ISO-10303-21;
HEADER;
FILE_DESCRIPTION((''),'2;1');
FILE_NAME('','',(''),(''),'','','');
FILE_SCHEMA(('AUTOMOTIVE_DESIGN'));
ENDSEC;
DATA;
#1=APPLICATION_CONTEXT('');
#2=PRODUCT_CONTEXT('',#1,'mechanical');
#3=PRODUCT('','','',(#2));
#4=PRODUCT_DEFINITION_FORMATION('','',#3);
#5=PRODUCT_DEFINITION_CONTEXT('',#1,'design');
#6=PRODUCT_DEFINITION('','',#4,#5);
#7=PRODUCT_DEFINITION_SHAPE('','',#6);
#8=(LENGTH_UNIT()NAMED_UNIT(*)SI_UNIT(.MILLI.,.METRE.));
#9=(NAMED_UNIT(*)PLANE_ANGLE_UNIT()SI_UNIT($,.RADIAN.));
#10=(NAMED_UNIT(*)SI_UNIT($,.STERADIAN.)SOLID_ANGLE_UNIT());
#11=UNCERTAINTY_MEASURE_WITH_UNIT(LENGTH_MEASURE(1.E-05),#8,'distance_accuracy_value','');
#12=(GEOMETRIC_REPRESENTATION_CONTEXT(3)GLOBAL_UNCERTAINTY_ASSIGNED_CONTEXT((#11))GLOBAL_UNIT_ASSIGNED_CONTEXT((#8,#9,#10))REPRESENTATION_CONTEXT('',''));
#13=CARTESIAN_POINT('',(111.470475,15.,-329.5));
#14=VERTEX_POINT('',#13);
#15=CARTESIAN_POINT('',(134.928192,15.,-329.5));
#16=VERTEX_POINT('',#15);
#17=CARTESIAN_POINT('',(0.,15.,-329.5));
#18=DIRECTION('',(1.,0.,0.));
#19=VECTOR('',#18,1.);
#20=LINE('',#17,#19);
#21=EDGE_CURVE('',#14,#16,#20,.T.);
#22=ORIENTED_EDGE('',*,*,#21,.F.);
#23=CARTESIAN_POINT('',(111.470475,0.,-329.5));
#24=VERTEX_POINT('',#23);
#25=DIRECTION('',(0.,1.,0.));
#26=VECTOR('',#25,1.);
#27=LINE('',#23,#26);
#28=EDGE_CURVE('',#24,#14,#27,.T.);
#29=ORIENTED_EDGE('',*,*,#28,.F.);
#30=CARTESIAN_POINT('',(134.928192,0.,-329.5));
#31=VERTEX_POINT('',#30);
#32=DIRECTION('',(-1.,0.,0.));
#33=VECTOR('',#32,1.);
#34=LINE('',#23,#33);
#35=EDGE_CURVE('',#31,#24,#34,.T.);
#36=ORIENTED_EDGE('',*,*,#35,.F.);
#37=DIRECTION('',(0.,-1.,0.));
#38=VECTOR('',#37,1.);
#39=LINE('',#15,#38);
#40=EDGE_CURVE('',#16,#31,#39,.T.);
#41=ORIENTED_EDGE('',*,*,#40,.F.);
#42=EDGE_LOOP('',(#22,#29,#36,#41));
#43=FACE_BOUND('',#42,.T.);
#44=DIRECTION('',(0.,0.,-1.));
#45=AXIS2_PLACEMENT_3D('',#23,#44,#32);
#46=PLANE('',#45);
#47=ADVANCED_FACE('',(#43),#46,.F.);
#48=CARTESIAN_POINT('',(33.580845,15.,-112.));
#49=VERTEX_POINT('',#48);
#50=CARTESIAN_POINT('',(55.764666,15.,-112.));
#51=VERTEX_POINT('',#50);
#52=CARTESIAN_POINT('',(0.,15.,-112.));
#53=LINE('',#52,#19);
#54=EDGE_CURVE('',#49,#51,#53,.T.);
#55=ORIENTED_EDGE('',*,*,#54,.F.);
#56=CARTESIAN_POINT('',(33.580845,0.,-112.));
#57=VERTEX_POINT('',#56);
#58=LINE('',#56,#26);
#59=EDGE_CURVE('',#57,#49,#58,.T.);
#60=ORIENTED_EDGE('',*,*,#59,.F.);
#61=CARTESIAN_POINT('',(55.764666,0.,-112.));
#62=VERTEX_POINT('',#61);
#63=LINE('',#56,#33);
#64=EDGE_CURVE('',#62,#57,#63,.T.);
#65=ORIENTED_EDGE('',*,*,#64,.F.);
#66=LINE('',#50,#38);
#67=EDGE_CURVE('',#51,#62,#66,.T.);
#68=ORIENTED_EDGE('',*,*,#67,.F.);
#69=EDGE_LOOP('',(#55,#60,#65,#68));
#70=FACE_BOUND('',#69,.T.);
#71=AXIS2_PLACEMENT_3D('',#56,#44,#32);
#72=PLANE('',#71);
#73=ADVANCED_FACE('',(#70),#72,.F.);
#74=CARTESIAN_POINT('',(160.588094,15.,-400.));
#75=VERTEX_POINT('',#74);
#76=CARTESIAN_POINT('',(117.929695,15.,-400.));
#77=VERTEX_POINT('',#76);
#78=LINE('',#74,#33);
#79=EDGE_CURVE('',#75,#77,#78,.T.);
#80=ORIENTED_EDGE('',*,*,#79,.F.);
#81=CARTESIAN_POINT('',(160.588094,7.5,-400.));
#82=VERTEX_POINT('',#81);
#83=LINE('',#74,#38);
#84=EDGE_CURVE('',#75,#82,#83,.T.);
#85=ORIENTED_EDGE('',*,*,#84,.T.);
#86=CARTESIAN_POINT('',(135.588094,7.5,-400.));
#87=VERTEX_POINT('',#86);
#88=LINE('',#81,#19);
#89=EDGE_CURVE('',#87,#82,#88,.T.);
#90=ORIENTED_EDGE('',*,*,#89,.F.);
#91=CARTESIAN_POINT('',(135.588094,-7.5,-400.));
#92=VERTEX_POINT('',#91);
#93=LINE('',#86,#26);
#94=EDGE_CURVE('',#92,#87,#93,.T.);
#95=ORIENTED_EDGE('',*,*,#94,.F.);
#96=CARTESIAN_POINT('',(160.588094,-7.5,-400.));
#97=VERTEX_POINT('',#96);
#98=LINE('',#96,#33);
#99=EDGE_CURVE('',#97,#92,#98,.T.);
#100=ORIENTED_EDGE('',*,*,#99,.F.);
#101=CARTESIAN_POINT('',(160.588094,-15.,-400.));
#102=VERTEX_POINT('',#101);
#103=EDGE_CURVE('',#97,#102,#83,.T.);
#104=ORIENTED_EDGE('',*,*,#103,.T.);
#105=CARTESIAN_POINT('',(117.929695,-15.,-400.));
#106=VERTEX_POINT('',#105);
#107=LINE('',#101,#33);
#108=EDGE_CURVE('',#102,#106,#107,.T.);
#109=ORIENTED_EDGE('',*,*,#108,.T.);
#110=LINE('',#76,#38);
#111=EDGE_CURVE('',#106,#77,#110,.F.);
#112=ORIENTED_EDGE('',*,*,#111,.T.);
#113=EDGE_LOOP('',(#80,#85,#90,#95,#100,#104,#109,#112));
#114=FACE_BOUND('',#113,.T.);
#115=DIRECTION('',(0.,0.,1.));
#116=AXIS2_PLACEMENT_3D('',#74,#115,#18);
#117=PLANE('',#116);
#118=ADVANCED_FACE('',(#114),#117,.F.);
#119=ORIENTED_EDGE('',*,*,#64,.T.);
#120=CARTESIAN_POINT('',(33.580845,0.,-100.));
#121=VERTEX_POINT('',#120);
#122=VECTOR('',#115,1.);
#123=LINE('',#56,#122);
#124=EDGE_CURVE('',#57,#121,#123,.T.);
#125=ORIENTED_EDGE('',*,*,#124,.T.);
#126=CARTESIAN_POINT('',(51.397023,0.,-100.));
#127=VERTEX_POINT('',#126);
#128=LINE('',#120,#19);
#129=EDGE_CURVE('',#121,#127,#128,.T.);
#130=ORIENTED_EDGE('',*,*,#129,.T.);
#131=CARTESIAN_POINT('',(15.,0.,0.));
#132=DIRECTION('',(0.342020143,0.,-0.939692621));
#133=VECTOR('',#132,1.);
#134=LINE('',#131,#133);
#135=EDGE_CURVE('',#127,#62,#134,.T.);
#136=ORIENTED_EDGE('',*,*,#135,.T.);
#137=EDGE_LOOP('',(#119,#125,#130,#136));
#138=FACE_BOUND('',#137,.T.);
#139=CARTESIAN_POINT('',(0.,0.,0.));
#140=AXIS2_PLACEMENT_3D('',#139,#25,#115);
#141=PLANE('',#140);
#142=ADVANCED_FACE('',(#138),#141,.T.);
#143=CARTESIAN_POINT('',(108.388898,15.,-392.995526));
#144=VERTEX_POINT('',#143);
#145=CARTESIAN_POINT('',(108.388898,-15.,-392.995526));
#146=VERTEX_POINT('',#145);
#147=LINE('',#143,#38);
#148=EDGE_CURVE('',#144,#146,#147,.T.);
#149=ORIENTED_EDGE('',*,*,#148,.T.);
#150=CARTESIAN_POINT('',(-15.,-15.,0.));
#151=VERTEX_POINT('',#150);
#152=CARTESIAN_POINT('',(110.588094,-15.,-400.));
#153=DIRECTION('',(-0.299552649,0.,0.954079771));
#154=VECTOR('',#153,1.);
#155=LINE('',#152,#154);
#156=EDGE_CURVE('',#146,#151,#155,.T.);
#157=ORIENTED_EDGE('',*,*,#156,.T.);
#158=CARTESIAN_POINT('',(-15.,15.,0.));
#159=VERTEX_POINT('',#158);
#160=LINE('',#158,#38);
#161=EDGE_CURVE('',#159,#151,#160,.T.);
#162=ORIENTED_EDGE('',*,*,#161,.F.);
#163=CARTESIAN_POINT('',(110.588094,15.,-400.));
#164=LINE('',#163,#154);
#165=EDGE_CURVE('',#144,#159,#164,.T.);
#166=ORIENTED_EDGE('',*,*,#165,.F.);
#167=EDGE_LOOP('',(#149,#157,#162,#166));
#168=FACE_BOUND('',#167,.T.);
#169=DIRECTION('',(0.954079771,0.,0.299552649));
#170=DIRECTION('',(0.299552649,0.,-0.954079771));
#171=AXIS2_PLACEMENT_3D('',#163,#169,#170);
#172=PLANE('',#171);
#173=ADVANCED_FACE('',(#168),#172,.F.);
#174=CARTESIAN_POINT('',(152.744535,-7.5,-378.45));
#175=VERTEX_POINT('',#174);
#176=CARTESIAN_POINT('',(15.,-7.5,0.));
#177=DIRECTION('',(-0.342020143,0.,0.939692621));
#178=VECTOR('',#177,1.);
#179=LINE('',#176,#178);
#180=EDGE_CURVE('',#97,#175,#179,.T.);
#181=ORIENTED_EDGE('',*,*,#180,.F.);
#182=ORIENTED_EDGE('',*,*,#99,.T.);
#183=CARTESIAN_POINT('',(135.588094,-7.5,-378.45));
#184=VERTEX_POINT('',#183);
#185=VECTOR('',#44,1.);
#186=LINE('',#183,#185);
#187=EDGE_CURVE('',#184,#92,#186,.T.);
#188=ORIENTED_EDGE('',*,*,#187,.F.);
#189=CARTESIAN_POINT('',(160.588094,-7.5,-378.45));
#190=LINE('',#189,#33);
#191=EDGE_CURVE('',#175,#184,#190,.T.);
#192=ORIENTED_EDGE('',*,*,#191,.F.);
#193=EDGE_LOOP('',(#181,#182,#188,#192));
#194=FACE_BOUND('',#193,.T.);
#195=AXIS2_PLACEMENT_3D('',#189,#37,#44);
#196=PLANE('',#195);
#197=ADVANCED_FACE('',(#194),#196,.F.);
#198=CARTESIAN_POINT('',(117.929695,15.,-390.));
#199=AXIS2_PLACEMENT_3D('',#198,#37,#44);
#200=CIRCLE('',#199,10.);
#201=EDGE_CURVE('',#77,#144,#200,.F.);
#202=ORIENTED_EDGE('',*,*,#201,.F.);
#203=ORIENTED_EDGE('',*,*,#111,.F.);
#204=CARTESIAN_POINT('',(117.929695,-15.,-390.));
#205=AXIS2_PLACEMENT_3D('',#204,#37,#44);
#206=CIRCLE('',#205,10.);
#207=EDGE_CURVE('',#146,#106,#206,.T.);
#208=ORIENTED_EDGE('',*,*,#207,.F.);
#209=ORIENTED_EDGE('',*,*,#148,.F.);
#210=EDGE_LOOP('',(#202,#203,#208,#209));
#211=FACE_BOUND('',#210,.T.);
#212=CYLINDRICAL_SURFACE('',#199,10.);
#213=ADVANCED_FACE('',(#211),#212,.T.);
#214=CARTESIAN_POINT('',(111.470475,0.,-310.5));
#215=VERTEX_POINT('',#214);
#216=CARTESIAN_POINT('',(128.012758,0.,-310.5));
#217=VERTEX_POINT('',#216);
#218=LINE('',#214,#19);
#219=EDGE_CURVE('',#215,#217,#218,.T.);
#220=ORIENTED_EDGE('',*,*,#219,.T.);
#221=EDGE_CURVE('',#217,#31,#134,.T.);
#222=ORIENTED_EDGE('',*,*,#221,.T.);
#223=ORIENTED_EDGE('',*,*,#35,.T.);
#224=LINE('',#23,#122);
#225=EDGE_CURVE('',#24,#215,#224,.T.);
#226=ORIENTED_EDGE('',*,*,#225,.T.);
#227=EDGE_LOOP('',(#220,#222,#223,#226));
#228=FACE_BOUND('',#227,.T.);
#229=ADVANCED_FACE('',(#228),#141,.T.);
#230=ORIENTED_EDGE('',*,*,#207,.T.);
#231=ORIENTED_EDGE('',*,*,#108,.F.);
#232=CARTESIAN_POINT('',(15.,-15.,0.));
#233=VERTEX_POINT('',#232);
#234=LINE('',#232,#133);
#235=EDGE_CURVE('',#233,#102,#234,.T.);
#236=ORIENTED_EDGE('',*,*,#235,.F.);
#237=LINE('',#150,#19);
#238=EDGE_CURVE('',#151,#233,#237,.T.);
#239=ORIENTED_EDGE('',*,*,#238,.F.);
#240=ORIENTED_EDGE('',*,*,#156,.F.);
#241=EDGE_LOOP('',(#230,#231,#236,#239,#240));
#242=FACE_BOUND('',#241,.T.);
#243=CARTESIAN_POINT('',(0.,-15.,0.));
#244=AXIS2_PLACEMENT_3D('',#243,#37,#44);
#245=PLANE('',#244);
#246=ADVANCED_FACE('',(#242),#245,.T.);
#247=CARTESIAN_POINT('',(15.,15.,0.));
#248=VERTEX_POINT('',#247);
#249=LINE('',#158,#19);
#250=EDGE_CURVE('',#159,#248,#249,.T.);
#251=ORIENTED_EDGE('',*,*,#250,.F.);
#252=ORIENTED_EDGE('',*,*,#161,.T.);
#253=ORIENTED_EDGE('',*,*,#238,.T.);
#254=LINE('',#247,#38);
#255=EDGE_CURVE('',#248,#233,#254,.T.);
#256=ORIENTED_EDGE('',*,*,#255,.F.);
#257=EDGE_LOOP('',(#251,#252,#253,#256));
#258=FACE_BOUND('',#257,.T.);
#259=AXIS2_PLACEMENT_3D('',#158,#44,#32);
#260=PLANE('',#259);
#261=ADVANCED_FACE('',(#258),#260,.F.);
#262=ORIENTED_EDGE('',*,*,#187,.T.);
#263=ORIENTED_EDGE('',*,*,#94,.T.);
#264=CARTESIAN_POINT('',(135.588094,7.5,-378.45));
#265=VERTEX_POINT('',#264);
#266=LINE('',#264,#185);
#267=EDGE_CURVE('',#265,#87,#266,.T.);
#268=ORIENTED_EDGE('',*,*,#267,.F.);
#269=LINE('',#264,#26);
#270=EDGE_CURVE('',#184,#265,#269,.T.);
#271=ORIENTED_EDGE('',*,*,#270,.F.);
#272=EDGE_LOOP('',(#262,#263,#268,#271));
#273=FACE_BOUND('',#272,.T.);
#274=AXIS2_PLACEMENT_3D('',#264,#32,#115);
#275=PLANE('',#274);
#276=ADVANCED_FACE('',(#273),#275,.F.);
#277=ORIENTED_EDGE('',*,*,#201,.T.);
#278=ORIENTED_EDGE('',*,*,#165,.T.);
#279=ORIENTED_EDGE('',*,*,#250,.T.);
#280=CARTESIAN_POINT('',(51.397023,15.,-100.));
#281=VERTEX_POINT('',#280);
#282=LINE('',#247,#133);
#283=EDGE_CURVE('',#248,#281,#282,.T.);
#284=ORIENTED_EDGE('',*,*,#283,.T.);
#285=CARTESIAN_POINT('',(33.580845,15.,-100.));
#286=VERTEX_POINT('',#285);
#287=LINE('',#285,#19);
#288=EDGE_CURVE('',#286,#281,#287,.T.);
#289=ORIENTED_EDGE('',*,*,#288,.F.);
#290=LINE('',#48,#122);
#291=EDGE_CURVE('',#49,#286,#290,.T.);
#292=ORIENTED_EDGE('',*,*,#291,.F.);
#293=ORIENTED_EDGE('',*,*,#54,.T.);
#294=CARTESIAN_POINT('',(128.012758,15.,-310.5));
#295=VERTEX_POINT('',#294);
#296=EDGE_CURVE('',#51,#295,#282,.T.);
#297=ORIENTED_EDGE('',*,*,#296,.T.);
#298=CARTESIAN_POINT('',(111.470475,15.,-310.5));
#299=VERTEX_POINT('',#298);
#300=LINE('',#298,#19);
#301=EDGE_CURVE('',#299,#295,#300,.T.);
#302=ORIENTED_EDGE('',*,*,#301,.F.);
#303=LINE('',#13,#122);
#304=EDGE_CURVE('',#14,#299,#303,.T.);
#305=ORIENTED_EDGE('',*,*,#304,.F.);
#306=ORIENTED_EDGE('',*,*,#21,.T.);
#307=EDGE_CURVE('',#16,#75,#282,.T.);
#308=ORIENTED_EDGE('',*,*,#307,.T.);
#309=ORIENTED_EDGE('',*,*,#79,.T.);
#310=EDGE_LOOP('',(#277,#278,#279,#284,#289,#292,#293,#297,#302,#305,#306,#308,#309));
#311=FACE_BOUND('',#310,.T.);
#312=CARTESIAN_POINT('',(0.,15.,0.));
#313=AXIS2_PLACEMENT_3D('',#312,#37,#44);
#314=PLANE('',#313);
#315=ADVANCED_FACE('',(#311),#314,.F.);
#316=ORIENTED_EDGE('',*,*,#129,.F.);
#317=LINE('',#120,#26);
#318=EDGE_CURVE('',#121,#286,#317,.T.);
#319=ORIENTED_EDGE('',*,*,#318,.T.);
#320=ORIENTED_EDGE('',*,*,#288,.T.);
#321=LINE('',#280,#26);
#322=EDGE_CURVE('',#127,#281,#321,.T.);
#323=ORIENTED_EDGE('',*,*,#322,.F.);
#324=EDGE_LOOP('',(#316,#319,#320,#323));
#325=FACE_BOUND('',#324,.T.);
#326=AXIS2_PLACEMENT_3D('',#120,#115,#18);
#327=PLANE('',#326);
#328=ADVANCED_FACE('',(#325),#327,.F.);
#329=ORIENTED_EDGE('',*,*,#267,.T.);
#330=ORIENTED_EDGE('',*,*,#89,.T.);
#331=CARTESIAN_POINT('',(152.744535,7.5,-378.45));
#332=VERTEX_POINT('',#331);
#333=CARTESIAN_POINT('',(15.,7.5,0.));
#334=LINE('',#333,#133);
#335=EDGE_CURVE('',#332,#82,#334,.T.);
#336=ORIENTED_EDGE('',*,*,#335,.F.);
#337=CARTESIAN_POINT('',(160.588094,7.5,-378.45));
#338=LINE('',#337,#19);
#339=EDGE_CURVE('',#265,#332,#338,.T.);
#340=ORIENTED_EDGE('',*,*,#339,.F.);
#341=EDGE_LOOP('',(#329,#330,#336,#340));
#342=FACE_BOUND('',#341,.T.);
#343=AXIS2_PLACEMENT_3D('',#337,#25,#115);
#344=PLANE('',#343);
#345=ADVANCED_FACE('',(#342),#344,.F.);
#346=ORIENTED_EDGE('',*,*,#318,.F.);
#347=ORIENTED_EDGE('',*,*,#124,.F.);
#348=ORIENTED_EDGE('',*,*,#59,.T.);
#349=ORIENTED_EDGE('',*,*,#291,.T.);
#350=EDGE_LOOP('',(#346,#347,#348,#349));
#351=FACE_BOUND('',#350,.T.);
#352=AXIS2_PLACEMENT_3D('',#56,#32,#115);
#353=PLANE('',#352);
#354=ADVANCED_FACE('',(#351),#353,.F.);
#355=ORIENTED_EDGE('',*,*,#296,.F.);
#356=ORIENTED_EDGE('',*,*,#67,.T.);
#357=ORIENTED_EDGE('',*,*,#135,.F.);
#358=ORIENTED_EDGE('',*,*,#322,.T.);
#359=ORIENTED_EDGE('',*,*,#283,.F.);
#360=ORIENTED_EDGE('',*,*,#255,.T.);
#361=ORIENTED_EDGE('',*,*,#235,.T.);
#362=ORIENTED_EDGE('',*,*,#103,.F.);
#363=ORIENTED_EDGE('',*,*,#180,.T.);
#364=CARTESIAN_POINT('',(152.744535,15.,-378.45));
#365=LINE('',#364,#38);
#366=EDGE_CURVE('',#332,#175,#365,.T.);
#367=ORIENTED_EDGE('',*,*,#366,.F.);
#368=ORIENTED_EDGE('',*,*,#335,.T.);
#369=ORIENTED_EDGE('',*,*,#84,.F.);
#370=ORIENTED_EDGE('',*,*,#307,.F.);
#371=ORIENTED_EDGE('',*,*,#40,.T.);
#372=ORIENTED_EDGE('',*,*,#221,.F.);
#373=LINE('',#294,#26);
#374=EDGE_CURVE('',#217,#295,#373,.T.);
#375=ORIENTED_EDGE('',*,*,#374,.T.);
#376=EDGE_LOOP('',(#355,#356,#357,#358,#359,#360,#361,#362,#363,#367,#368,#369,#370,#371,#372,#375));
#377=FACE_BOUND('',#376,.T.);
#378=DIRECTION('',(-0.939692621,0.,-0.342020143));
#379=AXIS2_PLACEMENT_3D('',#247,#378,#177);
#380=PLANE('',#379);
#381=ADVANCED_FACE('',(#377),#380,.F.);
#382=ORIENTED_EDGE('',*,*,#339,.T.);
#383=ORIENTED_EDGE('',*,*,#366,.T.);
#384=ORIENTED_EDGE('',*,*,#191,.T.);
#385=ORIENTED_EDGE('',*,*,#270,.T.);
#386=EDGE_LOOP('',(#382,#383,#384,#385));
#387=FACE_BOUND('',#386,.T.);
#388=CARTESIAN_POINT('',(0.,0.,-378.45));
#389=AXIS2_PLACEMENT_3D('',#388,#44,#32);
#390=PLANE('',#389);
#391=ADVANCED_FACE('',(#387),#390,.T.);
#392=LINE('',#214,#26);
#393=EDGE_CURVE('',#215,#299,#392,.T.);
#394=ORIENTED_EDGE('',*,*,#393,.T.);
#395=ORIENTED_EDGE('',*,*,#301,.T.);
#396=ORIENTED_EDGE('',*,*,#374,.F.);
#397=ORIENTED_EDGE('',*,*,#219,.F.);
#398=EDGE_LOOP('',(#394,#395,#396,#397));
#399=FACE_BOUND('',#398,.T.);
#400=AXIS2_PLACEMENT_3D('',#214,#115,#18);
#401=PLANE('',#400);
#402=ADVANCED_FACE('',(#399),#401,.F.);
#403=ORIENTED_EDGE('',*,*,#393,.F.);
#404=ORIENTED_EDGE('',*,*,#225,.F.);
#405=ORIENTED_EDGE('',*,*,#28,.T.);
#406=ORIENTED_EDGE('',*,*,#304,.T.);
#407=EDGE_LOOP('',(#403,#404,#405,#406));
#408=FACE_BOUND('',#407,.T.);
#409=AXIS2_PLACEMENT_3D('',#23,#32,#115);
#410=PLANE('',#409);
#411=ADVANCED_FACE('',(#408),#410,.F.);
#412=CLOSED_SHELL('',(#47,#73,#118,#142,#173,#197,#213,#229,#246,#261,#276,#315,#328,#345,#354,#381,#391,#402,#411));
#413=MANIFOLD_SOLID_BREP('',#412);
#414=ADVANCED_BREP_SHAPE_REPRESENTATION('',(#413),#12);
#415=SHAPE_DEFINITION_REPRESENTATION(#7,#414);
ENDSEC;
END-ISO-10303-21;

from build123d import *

# Parameters (mm, degrees)
SALIENTE_EXTRUIR1_DEPTH = 15
CROQUIS2_W              = 25
CROQUIS2_H              = 15
CORTAR_EXTRUIR1_DEPTH   = 21.55
REDONDEO2_R             = 10
CROQUIS3_W              = 40
CROQUIS3_H              = 19
CROQUIS3_H_2            = 12
CORTAR_EXTRUIR2_DEPTH   = 15


with BuildPart() as part:
    # Croquis1 → Saliente-Extruir1 (new, symmetric)
    with BuildSketch(Plane(origin=(0, 0, 0), x_dir=(1, 0, 0), z_dir=(0, 1, 0))):
        Polygon((15, 0), (160.588093706, 400), (110.588093706, 400), (-15, 0), align=None)
    extrude(amount=SALIENTE_EXTRUIR1_DEPTH, both=True)

    # Croquis2 → Cortar-Extruir1 (cut)
    with BuildSketch(Plane(origin=(0, 0, -400), x_dir=(-1, 0, 0), z_dir=(0, 0, -1))):
        with Locations((-148.088093706, 0)):
            Rectangle(CROQUIS2_W, CROQUIS2_H)
    extrude(amount=-CORTAR_EXTRUIR1_DEPTH, mode=Mode.SUBTRACT)

    # Redondeo2
    redondeo2_edges = [part.edges().sort_by_distance(p)[0] for p in [
        (110.588093706, 0, -400),
    ]]
    fillet(redondeo2_edges, radius=REDONDEO2_R)

    # Croquis3 → Cortar-Extruir2 (cut)
    with BuildSketch(Plane(origin=(0, 15, 0), x_dir=(1, 0, 0), z_dir=(0, 1, 0))):
        with Locations((131.470474965, 320)):
            Rectangle(CROQUIS3_W, CROQUIS3_H)
        with Locations((53.580844832, 106)):
            Rectangle(CROQUIS3_W, CROQUIS3_H_2)
    extrude(amount=-CORTAR_EXTRUIR2_DEPTH, mode=Mode.SUBTRACT)


solid = part.part
